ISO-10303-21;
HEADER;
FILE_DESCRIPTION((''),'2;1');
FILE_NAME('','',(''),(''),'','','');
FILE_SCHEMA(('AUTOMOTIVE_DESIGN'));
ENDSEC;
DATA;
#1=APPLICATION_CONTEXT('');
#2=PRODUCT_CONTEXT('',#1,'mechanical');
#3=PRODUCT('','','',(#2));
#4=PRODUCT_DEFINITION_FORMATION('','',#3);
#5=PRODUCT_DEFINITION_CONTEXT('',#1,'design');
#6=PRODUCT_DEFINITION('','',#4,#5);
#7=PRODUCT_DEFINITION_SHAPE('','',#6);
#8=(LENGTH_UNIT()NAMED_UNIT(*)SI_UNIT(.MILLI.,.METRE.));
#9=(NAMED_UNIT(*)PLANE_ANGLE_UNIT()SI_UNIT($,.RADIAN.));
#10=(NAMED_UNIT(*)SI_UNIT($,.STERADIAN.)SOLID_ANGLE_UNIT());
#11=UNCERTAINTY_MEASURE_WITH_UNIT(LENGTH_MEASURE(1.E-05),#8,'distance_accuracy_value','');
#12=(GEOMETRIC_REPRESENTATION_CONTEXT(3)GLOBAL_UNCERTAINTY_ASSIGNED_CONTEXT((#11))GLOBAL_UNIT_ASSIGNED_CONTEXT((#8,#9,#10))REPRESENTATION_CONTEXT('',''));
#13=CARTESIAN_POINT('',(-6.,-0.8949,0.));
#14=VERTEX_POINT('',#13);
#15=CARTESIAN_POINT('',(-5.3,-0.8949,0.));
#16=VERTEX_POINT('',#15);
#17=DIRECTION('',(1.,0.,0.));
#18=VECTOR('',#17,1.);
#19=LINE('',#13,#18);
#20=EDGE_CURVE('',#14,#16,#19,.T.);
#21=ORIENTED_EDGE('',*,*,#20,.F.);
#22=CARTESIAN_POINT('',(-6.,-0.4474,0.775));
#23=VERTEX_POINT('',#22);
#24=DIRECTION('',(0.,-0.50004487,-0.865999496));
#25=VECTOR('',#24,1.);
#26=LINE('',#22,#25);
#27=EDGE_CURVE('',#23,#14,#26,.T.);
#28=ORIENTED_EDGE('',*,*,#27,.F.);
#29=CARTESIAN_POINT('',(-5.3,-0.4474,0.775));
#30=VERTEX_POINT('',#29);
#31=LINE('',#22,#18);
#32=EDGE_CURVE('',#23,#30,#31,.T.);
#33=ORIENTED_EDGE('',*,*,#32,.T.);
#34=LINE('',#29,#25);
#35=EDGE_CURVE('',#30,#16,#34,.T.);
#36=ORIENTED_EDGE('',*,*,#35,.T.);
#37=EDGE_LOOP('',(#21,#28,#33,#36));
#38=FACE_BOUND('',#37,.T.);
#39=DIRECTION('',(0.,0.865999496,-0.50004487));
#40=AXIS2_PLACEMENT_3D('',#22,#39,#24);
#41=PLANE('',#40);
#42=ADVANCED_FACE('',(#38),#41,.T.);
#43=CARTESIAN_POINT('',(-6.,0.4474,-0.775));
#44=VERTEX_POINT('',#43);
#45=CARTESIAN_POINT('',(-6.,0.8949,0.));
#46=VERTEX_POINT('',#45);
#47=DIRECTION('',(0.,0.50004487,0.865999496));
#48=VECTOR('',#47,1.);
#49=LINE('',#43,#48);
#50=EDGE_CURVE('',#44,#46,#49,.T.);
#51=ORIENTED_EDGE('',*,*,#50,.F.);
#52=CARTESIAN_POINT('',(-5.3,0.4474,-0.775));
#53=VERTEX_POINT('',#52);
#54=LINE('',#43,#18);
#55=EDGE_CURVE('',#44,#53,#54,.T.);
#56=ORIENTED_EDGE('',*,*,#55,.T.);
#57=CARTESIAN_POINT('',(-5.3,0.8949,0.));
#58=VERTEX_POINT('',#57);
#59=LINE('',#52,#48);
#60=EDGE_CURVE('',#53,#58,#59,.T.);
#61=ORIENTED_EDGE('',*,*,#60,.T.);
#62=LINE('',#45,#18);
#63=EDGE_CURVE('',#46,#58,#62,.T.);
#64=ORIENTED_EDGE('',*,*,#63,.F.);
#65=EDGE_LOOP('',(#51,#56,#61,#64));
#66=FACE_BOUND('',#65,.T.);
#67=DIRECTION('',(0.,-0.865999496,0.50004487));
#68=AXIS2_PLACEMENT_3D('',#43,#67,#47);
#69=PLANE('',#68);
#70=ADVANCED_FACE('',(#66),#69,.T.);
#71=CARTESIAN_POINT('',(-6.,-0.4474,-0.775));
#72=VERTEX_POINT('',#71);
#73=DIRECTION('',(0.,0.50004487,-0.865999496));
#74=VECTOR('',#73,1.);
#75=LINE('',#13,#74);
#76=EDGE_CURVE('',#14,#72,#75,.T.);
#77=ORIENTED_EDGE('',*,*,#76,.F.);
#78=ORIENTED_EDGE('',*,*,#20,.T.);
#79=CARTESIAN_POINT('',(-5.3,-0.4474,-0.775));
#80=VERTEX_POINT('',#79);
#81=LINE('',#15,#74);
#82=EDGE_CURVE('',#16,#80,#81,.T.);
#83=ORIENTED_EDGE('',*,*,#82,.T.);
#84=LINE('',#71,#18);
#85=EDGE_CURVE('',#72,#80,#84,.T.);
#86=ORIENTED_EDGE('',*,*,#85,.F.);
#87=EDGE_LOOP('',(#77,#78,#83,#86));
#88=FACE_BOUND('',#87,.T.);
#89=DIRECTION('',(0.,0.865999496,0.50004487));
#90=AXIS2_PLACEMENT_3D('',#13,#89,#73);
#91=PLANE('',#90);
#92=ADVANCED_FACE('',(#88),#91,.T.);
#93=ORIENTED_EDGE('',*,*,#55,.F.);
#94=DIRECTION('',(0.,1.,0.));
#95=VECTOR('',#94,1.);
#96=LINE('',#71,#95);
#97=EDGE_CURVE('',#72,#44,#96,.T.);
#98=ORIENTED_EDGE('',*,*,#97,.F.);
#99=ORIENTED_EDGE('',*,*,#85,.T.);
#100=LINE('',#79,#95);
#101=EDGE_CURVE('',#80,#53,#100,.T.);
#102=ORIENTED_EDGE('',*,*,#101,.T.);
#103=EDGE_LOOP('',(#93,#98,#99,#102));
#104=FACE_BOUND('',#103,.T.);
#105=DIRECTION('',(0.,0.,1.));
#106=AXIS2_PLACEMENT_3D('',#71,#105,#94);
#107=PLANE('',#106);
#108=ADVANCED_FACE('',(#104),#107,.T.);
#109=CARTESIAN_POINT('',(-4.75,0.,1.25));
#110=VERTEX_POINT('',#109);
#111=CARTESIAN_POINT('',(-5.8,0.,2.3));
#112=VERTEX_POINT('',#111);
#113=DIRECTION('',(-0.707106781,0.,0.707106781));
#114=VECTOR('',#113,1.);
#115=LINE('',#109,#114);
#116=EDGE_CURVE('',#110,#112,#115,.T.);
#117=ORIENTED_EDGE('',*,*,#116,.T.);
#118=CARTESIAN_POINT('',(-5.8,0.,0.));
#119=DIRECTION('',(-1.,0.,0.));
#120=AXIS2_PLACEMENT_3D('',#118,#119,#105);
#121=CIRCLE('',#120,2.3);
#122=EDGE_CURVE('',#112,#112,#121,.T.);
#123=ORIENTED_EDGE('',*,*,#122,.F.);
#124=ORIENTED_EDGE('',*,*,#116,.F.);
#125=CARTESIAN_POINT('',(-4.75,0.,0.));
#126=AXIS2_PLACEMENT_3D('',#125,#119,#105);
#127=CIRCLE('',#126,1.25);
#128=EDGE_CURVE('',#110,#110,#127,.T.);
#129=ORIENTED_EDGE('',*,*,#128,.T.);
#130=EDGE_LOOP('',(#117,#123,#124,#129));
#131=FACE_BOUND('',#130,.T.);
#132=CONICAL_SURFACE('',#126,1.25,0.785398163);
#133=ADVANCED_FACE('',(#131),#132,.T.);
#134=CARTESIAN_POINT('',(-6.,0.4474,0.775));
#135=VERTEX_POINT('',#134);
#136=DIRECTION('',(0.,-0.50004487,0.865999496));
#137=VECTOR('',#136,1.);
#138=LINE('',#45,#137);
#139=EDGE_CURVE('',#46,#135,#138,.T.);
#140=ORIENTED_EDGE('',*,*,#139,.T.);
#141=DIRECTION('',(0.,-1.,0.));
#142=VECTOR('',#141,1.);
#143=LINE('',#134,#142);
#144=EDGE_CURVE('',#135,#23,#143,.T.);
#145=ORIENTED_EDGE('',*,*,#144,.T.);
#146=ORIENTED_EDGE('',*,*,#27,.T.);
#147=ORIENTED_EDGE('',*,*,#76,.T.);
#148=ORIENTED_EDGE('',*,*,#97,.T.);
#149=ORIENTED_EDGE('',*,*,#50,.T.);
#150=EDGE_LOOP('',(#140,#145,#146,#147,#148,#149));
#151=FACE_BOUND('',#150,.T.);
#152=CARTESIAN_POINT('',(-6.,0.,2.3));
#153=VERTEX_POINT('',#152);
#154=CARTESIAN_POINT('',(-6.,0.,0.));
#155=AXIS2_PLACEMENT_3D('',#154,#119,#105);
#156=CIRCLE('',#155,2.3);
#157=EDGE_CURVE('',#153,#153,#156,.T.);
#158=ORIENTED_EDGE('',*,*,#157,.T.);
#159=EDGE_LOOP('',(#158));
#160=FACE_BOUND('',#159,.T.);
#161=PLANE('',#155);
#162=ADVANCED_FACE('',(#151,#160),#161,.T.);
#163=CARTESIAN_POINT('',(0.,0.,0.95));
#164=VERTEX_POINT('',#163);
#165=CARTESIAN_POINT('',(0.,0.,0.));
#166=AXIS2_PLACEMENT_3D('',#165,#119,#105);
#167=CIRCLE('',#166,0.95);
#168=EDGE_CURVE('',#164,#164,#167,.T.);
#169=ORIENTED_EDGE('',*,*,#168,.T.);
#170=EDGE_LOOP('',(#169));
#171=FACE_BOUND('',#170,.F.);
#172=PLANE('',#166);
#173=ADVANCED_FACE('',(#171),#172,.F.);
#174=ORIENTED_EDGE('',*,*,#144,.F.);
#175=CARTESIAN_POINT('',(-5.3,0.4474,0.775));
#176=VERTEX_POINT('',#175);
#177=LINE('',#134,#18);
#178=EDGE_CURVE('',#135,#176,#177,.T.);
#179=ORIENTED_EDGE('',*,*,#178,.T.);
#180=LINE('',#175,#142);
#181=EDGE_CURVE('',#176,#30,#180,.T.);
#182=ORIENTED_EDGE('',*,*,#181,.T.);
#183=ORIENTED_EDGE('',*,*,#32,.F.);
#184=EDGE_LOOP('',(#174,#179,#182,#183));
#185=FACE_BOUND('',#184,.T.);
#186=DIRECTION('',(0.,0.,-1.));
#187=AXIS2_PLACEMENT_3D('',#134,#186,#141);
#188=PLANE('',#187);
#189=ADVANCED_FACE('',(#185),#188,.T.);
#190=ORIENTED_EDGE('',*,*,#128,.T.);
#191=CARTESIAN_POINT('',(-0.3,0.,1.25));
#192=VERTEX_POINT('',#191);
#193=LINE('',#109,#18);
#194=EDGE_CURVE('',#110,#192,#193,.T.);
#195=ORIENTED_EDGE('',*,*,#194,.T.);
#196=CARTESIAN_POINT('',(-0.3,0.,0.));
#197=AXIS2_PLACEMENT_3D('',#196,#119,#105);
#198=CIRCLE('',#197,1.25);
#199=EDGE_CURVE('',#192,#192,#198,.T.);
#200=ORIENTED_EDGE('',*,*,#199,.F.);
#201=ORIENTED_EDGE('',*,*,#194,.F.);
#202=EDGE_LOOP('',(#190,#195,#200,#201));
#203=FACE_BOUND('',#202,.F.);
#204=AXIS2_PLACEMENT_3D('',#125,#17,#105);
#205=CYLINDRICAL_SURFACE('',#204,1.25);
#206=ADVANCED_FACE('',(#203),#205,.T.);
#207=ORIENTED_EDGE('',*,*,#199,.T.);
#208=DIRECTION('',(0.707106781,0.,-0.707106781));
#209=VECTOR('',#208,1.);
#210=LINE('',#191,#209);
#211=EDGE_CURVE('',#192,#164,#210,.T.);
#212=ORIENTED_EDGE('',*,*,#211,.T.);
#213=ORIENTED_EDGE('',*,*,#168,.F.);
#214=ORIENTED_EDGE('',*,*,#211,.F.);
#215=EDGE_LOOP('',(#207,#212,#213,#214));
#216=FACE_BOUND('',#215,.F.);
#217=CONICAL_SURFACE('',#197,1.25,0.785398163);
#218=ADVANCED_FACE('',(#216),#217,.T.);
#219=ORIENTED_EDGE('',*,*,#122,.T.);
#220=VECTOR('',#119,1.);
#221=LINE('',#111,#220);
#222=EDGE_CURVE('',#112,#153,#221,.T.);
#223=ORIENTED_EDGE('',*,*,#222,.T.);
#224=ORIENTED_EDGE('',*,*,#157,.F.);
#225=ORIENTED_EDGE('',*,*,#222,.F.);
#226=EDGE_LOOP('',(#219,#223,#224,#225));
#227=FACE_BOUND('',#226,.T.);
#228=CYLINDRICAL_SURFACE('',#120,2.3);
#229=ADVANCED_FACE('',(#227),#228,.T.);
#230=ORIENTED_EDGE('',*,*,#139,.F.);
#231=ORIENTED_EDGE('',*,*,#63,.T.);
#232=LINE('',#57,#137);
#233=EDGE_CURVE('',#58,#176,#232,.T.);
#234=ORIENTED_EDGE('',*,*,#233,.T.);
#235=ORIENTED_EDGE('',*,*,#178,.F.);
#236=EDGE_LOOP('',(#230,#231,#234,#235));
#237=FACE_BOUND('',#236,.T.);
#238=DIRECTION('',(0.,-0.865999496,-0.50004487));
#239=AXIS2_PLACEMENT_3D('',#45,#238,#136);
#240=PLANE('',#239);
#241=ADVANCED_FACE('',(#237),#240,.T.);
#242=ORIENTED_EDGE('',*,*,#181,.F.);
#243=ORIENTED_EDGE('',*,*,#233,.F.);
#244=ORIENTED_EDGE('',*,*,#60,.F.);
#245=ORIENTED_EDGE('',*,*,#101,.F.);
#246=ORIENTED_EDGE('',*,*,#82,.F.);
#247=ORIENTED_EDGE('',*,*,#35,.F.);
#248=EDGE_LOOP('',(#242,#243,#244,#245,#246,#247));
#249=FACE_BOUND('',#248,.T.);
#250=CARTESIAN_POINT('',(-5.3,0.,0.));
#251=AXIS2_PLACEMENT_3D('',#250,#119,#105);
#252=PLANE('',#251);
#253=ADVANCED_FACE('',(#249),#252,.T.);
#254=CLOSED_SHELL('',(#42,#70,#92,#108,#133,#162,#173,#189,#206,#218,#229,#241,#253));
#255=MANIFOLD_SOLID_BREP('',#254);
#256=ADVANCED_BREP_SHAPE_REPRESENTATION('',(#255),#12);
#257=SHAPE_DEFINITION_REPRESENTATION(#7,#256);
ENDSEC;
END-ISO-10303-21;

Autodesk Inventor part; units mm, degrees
ref_plane "YZ Plane" through (0, 0, 0) normal (1, 0, 0) x (0, 1, 0)
ref_plane "XZ Plane" through (0, 0, 0) normal (0, 1, 0) x (-1, 0, 0)
ref_plane "XY Plane" through (0, 0, 0) normal (0, 0, 1) x (1, 0, 0)
sketch "スケッチ1" plane through (0, 0, 0) normal (0, 1, 0) x (-1, 0, 0)
  line L0 (0, 0) -> (4.75, 0)
  line L1 (4.75, 0) -> (4.75, 1.25)
  line L2 (0, 0.95) -> (0, 0)
  line L3 (5.8, 2.3) -> (6, 2.3)
  line L4 (6, 2.3) -> (6, 0)
  line L5 (6, 0) -> (4.75, 0)
  line L6 (4.75, 1.25) -> (0.3, 1.25)
  line L7 (0.3, 1.25) -> (0, 0.95)
  line L8 (4.75, 1.25) -> (5.8, 2.3)
  line L9 (5.8, 2.3) -> (6, 2.3)
  point P0 (6, 1.15)
  dimension "d1" = 6
  dimension "d4" = 45
  dimension "d5" = 1.25
  dimension "d6" = 0.3
  dimension "d8" = 45
  dimension "d9" = 0.2
  dimension "d10" = 1.25
revolve "回転1" add sketch "スケッチ1" angle 360 about axis through (0, 0, 0) along (-1, 0, 0)
sketch "スケッチ2" plane through (-6, 0, 0) normal (-1, 0, 0) x (0, 0, 1)
  circle A0 centre (0, 0) radius 0.95 projected
  line L0 (0, 0.8949) -> (0.775, 0.4474)
  line L1 (0.775, 0.4474) -> (0.775, -0.4474)
  line L2 (0.775, -0.4474) -> (0, -0.8949)
  line L3 (0, -0.8949) -> (-0.775, -0.4474)
  line L4 (-0.775, -0.4474) -> (-0.775, 0.4474)
  line L5 (-0.775, 0.4474) -> (0, 0.8949)
  point P0 (0, 0)
  dimension "d12" = 1.55
extrude "押し出し1" cut sketch "スケッチ2" against normal blind 0.7 contours L0 L1 L2 L3 L4 L5
thread "ねじ1" size "M2.5x0.45" class "6g" standard "ANSI Metric M Profile" length 7.0626
properties part number "CSHCS-SUS-M2_5-6"
